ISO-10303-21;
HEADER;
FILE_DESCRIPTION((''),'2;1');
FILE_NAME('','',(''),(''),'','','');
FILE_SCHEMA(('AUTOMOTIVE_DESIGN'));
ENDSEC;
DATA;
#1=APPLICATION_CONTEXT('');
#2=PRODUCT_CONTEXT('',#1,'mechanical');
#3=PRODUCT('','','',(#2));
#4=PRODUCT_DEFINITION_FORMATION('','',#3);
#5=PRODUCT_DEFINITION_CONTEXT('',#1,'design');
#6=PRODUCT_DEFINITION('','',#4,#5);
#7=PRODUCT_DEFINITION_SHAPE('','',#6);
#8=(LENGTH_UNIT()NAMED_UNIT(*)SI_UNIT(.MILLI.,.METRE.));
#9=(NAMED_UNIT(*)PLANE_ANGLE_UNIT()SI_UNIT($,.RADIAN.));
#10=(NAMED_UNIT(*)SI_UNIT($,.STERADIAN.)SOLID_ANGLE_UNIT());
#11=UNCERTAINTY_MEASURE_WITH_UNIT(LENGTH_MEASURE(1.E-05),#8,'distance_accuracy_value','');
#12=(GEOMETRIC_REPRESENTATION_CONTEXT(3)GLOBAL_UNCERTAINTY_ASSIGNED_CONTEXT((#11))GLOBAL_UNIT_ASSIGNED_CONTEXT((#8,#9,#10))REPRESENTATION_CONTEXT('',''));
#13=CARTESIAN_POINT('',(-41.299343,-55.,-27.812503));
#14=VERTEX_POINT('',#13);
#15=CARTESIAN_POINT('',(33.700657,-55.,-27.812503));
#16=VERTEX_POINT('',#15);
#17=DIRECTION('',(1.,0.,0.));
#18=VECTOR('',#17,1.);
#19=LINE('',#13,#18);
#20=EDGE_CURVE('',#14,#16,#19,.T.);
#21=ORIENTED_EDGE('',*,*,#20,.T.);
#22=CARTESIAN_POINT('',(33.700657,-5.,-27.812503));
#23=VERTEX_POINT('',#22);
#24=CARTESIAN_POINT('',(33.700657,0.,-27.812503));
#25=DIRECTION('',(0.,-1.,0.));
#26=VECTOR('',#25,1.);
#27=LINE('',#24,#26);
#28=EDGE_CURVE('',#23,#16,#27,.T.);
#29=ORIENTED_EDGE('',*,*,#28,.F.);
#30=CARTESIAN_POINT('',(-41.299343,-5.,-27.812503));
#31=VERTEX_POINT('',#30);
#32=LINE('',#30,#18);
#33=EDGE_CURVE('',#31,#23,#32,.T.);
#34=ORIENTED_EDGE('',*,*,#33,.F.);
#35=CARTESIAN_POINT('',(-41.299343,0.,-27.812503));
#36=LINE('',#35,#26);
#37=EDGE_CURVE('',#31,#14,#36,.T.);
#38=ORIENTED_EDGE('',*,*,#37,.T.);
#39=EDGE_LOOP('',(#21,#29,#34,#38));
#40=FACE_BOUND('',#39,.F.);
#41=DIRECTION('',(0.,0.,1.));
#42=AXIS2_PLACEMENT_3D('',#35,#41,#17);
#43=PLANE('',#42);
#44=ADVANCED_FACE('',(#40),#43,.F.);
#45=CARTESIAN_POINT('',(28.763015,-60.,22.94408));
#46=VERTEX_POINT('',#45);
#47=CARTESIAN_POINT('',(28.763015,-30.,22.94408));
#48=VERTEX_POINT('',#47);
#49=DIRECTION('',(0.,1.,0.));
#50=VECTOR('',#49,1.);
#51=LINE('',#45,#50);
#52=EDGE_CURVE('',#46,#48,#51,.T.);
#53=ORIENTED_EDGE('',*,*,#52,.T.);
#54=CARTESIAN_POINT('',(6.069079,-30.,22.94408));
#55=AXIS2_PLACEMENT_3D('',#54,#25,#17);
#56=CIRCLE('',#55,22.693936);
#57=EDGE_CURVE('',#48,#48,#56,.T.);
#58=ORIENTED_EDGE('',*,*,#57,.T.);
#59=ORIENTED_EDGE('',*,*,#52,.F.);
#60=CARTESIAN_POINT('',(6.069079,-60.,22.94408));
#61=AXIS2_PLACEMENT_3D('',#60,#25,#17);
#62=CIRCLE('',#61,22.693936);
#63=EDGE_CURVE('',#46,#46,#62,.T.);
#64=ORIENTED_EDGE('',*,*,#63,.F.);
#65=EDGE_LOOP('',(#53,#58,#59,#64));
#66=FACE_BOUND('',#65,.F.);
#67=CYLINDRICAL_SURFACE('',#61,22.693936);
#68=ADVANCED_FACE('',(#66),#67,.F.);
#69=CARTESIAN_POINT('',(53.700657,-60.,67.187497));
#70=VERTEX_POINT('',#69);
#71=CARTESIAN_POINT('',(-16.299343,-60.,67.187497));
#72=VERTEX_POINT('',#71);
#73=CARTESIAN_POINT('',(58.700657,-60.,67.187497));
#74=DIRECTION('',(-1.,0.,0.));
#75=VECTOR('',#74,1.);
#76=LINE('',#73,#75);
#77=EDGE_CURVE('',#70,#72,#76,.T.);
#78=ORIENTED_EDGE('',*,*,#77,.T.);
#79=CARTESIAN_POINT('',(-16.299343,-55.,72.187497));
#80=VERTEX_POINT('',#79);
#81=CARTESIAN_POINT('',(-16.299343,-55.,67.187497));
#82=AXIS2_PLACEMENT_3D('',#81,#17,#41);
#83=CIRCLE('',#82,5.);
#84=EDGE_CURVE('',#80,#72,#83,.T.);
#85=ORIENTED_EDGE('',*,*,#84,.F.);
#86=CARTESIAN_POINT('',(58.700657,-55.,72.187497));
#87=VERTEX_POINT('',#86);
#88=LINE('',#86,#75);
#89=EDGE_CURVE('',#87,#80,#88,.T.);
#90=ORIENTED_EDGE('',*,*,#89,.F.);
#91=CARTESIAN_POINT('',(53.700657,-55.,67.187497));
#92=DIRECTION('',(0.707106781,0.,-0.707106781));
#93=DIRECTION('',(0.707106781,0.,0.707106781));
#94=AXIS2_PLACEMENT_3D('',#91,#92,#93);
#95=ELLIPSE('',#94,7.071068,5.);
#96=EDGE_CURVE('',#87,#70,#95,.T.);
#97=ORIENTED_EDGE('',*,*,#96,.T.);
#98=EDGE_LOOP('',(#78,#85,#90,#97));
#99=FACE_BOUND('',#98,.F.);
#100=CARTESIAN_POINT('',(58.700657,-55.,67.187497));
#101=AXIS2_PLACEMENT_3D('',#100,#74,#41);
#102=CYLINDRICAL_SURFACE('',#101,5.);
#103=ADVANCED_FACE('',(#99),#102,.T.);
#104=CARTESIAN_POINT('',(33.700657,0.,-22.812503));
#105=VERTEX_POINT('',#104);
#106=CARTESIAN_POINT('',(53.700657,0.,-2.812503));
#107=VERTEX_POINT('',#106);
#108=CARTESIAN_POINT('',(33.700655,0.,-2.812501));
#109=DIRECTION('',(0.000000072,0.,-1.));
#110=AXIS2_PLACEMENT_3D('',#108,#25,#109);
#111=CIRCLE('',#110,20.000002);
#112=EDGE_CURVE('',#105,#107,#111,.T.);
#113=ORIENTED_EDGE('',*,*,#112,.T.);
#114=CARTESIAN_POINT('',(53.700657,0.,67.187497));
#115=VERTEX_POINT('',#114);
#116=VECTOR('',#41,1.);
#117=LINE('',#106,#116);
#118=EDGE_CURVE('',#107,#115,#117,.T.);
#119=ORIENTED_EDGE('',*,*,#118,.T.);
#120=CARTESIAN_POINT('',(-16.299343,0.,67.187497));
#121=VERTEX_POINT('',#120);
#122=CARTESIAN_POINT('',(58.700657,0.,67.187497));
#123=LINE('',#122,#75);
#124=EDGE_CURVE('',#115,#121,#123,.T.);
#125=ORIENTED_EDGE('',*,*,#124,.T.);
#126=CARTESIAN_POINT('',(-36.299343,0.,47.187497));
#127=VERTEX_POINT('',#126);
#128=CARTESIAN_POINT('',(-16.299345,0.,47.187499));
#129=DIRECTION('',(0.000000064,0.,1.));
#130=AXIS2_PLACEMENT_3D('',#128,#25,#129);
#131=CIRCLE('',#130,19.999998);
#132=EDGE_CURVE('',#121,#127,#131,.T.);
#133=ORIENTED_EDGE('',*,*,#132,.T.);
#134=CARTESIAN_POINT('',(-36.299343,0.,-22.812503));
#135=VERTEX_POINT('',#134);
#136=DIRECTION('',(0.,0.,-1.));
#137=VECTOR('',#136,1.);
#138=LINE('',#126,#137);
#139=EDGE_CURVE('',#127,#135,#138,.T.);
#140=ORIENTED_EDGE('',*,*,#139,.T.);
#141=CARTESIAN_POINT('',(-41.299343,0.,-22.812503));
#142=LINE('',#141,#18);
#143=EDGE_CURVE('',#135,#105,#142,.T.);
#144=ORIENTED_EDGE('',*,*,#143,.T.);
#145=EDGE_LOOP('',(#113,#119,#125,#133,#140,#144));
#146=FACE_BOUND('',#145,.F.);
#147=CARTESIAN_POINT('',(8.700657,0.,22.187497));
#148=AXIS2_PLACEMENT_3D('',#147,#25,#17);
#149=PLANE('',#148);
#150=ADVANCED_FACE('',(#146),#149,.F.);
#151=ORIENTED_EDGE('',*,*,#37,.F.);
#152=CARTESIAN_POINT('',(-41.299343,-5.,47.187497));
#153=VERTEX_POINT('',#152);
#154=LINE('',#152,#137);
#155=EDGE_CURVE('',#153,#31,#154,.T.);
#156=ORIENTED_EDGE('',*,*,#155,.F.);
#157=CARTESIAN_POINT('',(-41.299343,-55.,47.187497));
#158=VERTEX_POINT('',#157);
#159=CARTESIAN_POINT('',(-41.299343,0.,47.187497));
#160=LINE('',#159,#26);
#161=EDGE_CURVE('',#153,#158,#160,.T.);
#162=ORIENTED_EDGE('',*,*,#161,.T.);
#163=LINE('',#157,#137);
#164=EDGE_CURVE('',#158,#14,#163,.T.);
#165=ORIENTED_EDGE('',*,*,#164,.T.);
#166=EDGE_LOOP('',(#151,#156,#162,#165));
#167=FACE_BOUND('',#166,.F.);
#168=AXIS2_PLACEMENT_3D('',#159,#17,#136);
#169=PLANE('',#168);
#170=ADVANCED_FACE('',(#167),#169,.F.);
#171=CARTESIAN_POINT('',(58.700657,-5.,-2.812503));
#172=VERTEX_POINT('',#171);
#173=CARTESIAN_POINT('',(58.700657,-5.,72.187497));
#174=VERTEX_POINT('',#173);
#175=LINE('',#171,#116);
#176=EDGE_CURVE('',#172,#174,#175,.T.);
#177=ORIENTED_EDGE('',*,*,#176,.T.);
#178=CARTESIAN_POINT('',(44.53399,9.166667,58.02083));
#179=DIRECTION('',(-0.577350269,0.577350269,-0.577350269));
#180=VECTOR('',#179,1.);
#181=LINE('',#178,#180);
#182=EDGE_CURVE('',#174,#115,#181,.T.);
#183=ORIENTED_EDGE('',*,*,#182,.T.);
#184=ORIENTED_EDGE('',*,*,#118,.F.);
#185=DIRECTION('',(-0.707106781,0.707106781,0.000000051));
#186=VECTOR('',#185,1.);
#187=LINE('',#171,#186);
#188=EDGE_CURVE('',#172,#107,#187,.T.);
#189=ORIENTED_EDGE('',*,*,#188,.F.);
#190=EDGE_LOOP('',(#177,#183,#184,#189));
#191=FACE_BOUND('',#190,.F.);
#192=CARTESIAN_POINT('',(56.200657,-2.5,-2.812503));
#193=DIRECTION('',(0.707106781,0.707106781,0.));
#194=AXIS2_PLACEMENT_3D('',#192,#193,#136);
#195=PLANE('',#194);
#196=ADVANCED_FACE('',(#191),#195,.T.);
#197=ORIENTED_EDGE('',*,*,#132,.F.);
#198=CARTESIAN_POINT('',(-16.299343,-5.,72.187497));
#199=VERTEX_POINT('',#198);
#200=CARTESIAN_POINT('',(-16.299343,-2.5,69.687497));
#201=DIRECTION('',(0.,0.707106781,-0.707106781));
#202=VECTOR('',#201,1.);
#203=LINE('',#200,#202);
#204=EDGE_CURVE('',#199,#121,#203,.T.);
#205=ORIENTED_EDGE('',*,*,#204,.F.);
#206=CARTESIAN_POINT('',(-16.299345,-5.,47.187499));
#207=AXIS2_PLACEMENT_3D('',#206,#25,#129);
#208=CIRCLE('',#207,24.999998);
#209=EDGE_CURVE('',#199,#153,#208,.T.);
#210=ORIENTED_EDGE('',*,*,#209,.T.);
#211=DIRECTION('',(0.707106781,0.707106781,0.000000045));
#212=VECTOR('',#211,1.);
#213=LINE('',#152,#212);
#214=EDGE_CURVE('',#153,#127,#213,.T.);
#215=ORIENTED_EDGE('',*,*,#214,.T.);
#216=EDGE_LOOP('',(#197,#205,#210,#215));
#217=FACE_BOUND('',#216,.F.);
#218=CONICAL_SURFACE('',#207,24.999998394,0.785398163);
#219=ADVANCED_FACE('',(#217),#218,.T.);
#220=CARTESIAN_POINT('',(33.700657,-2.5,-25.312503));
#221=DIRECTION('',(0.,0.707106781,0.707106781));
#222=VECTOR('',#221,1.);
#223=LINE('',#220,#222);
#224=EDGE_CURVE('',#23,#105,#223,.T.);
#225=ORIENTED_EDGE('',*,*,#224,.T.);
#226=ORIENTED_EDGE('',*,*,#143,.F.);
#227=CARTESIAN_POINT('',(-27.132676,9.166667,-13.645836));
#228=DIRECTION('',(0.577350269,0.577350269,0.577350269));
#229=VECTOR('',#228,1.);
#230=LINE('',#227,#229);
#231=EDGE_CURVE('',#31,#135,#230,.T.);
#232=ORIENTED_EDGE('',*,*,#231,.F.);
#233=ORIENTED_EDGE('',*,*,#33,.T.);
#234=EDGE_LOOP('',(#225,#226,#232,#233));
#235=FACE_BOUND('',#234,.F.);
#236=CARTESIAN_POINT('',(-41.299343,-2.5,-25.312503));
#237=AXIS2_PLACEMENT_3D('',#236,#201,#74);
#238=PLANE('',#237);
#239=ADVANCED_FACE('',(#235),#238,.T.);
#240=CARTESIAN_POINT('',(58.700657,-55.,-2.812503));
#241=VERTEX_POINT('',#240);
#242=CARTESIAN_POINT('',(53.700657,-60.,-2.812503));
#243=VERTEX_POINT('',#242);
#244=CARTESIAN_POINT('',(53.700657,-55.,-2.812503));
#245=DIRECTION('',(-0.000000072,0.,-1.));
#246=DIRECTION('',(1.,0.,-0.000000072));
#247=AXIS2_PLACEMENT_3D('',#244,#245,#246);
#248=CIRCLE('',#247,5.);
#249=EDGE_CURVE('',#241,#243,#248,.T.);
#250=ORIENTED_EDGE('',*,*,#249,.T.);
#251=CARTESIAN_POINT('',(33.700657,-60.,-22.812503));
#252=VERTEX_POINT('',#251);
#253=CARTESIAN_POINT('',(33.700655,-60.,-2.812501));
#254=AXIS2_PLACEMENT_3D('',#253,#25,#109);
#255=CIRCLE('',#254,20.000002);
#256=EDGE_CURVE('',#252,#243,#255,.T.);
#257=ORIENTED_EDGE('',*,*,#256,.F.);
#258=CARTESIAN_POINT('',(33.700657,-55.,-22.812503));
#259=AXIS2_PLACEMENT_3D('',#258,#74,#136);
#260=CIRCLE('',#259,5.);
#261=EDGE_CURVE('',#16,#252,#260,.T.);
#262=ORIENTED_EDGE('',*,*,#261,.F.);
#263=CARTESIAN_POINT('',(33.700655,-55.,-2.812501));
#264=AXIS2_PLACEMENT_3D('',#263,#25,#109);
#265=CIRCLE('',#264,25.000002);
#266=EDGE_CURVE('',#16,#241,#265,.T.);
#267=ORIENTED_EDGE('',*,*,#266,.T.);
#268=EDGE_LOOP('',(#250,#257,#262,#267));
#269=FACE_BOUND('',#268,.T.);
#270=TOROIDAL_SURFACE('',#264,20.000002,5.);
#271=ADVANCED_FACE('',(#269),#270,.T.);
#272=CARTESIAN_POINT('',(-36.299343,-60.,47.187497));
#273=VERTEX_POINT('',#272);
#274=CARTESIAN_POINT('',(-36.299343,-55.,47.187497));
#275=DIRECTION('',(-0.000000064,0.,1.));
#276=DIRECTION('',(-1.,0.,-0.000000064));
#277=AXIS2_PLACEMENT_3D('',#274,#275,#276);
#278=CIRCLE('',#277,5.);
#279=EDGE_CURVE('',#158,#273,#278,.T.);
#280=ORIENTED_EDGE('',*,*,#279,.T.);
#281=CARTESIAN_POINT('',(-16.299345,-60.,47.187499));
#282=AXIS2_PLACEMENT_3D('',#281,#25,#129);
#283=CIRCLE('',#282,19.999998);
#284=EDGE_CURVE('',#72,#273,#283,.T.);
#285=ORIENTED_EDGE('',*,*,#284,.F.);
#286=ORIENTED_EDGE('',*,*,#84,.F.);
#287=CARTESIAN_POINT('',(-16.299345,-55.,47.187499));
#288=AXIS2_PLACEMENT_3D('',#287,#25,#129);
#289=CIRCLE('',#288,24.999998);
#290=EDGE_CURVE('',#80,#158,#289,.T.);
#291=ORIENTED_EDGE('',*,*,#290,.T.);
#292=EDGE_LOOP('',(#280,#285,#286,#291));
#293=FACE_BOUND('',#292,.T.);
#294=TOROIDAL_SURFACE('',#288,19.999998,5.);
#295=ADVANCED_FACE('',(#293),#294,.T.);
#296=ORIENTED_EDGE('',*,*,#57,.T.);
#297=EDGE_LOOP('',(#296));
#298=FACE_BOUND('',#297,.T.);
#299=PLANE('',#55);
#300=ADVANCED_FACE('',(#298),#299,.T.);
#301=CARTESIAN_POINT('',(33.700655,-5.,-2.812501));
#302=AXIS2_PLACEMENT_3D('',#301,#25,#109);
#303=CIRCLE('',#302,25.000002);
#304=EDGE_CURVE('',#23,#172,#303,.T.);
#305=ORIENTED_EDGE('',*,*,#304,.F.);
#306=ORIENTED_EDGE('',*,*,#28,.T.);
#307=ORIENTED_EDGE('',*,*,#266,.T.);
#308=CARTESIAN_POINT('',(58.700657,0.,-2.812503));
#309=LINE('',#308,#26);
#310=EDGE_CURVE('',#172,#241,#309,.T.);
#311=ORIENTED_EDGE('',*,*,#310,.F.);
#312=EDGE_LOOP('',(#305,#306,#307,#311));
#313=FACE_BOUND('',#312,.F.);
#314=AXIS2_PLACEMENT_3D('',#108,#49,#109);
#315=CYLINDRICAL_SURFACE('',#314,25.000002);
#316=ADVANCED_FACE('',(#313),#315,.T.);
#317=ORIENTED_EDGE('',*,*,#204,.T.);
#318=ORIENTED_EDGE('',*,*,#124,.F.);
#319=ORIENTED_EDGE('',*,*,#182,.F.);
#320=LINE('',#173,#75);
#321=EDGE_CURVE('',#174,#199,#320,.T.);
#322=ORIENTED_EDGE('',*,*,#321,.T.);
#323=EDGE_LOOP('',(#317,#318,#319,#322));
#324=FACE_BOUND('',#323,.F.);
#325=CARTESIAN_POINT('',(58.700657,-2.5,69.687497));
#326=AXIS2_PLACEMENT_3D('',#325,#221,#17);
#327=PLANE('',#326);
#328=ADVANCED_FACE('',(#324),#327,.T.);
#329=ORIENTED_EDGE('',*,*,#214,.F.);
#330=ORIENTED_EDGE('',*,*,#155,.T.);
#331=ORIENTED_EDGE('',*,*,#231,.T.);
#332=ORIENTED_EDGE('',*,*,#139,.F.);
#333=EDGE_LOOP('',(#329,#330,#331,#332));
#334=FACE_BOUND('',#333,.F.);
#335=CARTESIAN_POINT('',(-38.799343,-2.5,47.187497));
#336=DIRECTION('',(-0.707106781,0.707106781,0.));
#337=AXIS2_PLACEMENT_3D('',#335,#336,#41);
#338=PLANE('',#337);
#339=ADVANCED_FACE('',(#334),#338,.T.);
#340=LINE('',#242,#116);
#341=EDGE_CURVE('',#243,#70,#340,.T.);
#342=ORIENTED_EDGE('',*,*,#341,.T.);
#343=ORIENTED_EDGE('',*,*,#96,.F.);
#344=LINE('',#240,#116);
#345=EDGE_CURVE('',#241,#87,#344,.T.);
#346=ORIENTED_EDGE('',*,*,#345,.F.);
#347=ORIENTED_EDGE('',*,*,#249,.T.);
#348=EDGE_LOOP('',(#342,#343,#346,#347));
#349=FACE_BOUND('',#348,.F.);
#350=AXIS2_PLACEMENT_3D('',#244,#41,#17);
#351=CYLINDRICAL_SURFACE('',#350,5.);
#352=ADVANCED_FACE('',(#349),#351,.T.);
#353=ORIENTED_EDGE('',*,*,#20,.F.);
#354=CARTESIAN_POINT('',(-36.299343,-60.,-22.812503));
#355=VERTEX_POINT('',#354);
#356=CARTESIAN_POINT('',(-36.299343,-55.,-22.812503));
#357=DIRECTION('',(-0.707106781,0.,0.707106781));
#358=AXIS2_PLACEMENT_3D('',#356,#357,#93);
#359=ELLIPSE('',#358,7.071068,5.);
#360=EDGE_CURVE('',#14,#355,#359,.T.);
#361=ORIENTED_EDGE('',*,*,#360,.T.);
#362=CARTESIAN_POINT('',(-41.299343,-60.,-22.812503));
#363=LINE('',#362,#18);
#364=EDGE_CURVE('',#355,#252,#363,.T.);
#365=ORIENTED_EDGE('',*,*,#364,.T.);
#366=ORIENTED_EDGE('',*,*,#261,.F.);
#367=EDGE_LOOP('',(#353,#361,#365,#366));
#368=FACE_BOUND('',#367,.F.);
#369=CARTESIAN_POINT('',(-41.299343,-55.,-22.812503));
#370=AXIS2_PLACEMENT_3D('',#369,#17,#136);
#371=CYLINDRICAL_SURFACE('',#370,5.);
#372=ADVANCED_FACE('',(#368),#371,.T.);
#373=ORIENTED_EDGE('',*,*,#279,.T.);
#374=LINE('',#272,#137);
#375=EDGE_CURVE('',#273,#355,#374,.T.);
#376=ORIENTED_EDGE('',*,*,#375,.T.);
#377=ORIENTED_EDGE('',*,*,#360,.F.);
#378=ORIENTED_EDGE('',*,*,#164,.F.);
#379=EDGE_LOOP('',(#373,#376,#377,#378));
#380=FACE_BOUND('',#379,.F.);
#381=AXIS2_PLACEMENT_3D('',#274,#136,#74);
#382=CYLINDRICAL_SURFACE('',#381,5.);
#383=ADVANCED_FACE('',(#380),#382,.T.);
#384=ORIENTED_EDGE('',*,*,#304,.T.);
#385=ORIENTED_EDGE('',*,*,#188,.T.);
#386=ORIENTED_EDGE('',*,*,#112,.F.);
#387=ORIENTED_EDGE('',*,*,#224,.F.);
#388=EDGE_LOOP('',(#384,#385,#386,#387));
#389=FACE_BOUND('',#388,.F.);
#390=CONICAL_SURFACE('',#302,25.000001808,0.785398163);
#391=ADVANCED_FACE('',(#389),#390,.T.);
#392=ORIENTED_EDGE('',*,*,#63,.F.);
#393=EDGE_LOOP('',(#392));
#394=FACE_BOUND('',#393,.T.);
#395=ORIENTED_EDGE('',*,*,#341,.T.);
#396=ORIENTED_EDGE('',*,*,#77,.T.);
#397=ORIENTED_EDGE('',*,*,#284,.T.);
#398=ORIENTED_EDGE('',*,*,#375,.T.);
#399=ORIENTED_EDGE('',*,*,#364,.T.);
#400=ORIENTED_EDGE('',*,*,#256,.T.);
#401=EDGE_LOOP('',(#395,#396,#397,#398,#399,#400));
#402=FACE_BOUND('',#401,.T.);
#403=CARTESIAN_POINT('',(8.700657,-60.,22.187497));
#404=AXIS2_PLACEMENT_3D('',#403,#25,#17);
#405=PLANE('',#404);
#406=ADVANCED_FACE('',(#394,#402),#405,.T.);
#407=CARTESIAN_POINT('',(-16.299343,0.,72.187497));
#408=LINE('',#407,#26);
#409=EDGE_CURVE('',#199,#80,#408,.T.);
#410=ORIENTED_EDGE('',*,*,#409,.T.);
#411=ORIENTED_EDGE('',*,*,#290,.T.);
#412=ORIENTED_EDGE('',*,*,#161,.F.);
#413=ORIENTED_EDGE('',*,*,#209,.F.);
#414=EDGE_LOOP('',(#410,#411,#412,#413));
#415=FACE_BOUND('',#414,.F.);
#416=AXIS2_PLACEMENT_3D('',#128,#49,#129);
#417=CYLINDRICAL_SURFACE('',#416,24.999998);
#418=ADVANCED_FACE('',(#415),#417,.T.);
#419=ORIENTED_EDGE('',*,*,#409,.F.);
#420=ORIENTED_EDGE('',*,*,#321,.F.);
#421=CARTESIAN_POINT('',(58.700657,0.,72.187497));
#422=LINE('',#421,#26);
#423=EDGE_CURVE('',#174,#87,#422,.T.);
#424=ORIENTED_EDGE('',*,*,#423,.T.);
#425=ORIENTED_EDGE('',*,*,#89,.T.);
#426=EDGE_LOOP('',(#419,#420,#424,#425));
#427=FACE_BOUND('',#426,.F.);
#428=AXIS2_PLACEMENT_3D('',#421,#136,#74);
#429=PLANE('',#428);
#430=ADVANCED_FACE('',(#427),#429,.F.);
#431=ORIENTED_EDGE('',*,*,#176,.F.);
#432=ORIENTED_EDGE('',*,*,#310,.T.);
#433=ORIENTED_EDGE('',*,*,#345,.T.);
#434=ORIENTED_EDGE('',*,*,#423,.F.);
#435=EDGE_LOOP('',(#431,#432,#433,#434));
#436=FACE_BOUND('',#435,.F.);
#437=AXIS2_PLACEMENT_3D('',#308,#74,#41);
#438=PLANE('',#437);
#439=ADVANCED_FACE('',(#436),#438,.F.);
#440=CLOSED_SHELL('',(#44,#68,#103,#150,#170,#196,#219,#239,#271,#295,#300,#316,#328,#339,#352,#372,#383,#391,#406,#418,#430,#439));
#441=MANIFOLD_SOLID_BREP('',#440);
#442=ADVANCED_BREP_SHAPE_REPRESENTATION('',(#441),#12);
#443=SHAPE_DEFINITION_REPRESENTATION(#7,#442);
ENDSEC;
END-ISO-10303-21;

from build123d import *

# Parameters (mm, degrees)
F1_DEPTH = 60
F2_R     = 5
F3_SIZE  = 5
F4_R     = 22.693936
F5_DEPTH = 30


with BuildPart() as f1:
    # F0 (on Front) → F1 (new body)
    with BuildSketch(Plane.XZ):
        with BuildLine():
            Line((58.700657, 72.187497), (-16.299343, 72.187497))
            ThreePointArc((-16.299343, 72.187497), (-33.977013, 64.865167), (-41.299343, 47.187497))
            Line((-41.299343, 47.187497), (-41.299343, -27.812503))
            Line((-41.299343, -27.812503), (33.700657, -27.812503))
            ThreePointArc((33.700657, -27.812503), (51.378326, -20.490172), (58.700657, -2.812503))
            Line((58.700657, -2.812503), (58.700657, 72.187497))
        make_face()
    extrude(amount=F1_DEPTH)

    # F2
    f2_edges = [f1.edges().sort_by_distance(p)[0] for p in [
        (58.700657, -60, 34.687497),
        (21.200657, -60, 72.187497),
        (-33.977013, -60, 64.865167),
        (-41.299343, -60, 9.687497),
        (-3.799343, -60, -27.812503),
        (51.378326, -60, -20.490172),
    ]]
    fillet(f2_edges, radius=F2_R)

    # F3
    f3_edges = [f1.edges().sort_by_distance(p)[0] for p in [
        (58.700657, 0, 34.687497),
        (21.200657, 0, 72.187497),
        (-33.977013, 0, 64.865167),
        (-41.299343, 0, 9.687497),
        (-3.799343, 0, -27.812503),
        (51.378326, 0, -20.490172),
    ]]
    chamfer(f3_edges, length=F3_SIZE)

    # F4 (on face) → F5 (cut)
    with BuildSketch(Plane.XZ.offset(60)):
        with Locations((6.069079, 22.94408)):
            Circle(F4_R)
    extrude(amount=-F5_DEPTH, mode=Mode.SUBTRACT)


solid = f1.part
